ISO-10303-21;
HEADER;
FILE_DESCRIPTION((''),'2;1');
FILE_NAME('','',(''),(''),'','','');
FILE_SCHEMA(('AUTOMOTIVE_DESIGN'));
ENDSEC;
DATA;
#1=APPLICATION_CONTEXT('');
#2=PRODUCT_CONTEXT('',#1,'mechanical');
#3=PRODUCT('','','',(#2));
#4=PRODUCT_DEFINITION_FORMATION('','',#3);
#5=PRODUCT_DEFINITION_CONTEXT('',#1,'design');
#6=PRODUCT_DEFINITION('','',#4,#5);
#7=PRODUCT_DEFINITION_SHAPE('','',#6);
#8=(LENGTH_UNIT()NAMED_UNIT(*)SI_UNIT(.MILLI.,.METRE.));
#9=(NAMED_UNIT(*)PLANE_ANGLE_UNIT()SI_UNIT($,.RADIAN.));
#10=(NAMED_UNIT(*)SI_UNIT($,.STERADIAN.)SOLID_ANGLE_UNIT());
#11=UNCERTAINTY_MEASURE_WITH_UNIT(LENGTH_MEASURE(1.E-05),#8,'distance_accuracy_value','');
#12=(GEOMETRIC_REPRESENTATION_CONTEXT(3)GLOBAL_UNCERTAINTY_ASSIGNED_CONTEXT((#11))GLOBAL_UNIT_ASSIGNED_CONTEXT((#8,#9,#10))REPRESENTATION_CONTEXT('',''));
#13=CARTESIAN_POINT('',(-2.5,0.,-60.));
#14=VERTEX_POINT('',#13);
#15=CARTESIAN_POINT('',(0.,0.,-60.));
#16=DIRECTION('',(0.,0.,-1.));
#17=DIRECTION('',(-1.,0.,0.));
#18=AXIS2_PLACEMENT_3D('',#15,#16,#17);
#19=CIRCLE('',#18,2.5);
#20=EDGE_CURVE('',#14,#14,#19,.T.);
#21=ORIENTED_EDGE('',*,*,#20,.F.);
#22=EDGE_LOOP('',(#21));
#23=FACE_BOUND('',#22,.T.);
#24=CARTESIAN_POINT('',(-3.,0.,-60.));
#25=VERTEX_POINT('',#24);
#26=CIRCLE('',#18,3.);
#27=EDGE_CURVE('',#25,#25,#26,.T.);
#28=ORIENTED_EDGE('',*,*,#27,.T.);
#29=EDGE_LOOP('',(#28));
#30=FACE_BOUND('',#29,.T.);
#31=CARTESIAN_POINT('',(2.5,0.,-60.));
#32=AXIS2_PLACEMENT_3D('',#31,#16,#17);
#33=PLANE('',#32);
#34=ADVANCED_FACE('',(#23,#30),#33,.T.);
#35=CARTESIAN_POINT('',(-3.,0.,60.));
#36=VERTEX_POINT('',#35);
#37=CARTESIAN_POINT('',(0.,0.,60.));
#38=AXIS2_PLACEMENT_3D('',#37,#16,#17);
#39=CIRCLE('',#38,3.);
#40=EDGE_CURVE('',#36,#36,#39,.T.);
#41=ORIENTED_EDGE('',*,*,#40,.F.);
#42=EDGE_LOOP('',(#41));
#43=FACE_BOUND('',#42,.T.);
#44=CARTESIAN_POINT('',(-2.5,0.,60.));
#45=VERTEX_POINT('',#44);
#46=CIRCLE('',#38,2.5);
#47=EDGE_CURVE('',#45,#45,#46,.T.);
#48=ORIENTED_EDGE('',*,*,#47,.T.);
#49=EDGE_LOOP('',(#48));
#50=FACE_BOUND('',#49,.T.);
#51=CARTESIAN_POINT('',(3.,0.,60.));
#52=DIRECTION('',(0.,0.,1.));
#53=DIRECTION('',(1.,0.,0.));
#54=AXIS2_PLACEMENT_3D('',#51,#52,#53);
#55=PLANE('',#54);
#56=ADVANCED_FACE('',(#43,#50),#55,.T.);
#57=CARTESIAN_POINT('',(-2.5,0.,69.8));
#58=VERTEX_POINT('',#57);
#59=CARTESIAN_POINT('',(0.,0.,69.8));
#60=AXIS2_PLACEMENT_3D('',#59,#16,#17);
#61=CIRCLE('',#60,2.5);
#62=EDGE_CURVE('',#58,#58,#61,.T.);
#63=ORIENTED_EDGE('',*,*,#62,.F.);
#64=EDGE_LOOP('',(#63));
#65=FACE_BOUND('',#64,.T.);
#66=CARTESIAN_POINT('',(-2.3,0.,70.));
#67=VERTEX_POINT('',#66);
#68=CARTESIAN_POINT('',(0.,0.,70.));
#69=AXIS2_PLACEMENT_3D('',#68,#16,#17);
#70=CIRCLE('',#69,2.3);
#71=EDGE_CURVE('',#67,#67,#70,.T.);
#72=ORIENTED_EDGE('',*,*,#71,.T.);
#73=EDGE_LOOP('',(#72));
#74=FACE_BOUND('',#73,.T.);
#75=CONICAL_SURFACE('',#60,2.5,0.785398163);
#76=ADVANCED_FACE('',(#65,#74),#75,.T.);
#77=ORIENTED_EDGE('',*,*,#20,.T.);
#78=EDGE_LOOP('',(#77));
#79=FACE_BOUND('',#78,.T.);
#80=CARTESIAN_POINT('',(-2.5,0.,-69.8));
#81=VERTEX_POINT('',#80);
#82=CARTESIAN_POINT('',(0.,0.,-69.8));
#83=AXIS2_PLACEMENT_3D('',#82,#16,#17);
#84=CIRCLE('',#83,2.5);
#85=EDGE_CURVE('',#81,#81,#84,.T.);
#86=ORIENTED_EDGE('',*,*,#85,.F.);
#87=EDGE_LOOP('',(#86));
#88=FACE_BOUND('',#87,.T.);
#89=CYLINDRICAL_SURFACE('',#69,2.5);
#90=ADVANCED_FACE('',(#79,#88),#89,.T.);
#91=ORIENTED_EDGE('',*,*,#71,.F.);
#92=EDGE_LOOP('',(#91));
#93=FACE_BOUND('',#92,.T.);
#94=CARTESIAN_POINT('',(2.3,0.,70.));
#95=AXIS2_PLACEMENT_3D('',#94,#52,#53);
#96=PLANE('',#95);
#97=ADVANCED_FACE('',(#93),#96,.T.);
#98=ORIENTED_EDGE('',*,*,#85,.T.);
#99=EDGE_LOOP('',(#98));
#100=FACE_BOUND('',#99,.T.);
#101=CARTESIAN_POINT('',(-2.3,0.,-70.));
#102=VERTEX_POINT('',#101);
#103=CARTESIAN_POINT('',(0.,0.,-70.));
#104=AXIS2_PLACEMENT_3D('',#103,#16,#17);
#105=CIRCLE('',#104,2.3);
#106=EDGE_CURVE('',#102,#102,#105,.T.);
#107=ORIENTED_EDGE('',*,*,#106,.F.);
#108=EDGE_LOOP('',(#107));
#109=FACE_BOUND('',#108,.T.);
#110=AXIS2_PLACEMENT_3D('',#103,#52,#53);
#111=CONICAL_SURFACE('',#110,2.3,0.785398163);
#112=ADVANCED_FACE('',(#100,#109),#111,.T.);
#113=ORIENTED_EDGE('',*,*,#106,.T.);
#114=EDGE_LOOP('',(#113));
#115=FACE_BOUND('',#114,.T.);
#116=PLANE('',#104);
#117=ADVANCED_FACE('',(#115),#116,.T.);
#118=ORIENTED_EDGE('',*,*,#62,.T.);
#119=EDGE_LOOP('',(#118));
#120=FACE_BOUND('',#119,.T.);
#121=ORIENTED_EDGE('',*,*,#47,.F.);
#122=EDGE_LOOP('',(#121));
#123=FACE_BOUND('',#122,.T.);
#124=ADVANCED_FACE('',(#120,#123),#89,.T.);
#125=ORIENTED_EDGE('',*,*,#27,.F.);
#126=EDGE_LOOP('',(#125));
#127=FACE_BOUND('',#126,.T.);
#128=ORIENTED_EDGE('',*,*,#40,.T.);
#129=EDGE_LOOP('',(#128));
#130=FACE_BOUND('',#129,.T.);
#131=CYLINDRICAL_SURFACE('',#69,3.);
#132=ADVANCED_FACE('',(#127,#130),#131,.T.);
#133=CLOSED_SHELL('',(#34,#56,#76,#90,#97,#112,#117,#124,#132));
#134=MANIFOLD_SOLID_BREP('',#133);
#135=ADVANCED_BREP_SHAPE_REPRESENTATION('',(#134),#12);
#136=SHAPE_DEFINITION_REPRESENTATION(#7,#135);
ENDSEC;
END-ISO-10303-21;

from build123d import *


with BuildPart() as part:
    # Sketch1 → Revolve1 (revolve)
    with BuildSketch(Plane.XZ, mode=Mode.PRIVATE) as revolve1_sk:
        Polygon((2.3, 70), (0, 70), (0, -70), (2.3, -70), (2.5, -69.8), (2.5, -60), (3, -60), (3, 60), (2.5, 60), (2.5, 69.8), align=None)
    revolve(revolve1_sk.sketch.rotate(Axis((0, 0, 70), (0, 0, -1)), 180), axis=Axis((0, 0, 70), (0, 0, -1)))


solid = part.part
